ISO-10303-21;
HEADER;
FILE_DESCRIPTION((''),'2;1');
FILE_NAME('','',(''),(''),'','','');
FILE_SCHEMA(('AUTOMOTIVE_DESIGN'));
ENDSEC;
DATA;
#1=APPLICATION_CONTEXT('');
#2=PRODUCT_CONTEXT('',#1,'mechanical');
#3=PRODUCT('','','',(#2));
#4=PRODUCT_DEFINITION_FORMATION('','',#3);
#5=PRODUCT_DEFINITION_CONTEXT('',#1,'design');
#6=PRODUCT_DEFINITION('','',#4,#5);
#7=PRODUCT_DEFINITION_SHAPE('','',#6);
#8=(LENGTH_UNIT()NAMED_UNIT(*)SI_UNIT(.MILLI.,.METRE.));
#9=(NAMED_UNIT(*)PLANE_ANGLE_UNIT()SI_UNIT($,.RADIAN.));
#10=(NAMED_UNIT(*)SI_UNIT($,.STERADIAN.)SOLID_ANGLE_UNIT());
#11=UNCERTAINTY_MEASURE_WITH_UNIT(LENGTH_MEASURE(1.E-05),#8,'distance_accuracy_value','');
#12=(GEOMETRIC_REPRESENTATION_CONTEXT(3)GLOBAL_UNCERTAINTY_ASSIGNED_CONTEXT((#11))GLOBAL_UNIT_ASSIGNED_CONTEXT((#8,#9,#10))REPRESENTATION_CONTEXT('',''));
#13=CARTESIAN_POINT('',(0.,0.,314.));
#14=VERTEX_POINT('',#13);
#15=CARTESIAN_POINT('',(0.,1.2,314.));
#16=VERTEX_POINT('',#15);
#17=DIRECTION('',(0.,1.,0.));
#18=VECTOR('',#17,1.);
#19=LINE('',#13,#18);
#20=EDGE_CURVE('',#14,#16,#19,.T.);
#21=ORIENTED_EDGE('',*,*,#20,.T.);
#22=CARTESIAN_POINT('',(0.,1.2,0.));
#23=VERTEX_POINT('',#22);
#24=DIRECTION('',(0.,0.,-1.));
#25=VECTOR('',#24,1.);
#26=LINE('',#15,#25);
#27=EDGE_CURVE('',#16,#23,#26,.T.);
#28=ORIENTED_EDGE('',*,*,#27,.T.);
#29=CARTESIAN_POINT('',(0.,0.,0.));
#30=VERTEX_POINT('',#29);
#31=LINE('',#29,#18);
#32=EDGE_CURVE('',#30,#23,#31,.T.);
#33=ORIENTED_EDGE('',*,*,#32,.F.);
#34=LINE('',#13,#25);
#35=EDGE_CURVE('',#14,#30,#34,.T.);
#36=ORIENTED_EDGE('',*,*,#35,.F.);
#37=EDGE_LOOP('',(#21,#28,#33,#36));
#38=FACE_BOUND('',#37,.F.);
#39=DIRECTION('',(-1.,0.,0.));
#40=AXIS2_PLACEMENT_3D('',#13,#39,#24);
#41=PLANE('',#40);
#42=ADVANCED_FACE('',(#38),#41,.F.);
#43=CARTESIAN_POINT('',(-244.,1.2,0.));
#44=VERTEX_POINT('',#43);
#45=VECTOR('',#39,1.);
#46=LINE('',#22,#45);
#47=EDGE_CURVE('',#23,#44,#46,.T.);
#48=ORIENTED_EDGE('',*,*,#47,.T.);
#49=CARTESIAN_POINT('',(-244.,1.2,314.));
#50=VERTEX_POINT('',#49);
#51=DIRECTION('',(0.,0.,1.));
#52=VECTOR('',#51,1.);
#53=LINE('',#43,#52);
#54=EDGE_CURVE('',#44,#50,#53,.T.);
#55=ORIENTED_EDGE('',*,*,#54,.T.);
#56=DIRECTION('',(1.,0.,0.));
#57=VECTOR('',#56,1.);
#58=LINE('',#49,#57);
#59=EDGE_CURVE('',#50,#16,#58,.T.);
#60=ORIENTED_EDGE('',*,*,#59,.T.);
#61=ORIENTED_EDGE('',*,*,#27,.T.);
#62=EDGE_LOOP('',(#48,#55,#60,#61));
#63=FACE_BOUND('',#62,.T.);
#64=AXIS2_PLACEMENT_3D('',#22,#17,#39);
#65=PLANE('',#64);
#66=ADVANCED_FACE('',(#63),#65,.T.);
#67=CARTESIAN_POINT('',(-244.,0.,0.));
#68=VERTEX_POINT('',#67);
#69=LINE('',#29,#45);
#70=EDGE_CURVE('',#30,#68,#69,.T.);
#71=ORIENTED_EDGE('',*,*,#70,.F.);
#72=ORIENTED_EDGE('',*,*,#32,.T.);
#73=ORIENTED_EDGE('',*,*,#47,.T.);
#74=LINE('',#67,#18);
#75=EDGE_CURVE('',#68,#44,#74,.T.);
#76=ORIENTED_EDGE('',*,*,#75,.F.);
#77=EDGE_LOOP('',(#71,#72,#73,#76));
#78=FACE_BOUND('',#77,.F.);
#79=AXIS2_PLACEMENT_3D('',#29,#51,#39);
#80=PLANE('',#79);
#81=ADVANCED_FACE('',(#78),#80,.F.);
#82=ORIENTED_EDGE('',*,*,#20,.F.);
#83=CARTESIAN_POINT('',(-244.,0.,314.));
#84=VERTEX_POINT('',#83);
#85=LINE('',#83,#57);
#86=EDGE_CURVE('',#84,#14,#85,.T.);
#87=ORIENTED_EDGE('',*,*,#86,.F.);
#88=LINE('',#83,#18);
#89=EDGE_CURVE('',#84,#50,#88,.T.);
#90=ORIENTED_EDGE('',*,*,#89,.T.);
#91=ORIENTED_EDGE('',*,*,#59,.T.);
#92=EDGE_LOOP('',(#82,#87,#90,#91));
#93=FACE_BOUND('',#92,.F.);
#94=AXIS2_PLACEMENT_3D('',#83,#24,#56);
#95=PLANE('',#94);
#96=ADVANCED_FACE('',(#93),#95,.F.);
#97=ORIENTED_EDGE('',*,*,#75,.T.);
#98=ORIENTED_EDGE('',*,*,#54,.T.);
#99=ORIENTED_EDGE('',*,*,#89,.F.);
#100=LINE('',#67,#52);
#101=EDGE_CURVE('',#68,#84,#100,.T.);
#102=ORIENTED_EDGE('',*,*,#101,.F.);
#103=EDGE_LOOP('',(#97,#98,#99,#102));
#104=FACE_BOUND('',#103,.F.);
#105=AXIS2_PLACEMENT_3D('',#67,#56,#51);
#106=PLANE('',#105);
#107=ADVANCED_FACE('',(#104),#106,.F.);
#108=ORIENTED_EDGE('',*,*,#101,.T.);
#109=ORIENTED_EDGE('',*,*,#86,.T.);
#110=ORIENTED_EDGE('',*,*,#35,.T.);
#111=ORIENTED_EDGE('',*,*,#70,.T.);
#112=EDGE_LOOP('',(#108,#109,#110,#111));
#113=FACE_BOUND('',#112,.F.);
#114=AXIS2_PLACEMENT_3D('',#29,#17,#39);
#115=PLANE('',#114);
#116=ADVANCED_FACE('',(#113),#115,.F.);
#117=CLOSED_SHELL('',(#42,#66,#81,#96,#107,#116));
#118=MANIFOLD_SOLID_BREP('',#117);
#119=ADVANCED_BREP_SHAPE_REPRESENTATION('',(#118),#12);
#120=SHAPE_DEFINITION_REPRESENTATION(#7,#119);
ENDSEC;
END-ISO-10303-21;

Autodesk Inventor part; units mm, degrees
ref_plane "YZ Plane" through (0, 0, 0) normal (1, 0, 0) x (0, 1, 0)
ref_plane "XZ Plane" through (0, 0, 0) normal (0, 1, 0) x (-1, 0, 0)
ref_plane "XY Plane" through (0, 0, 0) normal (0, 0, 1) x (1, 0, 0)
sketch "Sketch1" plane through (0, 0, 0) normal (0, 1, 0) x (-1, 0, 0)
  line L0 (0, 0) -> (244, 0)
  line L1 (244, 0) -> (244, 314)
  line L2 (244, 314) -> (0, 314)
  line L3 (0, 314) -> (0, 0)
  dimension "d0" = 244
  dimension "d1" = 314
extrude "Extrusion1" add sketch "Sketch1" along normal blind 1.2
properties part number "HeatSpreader" material "Aluminum 6061"
